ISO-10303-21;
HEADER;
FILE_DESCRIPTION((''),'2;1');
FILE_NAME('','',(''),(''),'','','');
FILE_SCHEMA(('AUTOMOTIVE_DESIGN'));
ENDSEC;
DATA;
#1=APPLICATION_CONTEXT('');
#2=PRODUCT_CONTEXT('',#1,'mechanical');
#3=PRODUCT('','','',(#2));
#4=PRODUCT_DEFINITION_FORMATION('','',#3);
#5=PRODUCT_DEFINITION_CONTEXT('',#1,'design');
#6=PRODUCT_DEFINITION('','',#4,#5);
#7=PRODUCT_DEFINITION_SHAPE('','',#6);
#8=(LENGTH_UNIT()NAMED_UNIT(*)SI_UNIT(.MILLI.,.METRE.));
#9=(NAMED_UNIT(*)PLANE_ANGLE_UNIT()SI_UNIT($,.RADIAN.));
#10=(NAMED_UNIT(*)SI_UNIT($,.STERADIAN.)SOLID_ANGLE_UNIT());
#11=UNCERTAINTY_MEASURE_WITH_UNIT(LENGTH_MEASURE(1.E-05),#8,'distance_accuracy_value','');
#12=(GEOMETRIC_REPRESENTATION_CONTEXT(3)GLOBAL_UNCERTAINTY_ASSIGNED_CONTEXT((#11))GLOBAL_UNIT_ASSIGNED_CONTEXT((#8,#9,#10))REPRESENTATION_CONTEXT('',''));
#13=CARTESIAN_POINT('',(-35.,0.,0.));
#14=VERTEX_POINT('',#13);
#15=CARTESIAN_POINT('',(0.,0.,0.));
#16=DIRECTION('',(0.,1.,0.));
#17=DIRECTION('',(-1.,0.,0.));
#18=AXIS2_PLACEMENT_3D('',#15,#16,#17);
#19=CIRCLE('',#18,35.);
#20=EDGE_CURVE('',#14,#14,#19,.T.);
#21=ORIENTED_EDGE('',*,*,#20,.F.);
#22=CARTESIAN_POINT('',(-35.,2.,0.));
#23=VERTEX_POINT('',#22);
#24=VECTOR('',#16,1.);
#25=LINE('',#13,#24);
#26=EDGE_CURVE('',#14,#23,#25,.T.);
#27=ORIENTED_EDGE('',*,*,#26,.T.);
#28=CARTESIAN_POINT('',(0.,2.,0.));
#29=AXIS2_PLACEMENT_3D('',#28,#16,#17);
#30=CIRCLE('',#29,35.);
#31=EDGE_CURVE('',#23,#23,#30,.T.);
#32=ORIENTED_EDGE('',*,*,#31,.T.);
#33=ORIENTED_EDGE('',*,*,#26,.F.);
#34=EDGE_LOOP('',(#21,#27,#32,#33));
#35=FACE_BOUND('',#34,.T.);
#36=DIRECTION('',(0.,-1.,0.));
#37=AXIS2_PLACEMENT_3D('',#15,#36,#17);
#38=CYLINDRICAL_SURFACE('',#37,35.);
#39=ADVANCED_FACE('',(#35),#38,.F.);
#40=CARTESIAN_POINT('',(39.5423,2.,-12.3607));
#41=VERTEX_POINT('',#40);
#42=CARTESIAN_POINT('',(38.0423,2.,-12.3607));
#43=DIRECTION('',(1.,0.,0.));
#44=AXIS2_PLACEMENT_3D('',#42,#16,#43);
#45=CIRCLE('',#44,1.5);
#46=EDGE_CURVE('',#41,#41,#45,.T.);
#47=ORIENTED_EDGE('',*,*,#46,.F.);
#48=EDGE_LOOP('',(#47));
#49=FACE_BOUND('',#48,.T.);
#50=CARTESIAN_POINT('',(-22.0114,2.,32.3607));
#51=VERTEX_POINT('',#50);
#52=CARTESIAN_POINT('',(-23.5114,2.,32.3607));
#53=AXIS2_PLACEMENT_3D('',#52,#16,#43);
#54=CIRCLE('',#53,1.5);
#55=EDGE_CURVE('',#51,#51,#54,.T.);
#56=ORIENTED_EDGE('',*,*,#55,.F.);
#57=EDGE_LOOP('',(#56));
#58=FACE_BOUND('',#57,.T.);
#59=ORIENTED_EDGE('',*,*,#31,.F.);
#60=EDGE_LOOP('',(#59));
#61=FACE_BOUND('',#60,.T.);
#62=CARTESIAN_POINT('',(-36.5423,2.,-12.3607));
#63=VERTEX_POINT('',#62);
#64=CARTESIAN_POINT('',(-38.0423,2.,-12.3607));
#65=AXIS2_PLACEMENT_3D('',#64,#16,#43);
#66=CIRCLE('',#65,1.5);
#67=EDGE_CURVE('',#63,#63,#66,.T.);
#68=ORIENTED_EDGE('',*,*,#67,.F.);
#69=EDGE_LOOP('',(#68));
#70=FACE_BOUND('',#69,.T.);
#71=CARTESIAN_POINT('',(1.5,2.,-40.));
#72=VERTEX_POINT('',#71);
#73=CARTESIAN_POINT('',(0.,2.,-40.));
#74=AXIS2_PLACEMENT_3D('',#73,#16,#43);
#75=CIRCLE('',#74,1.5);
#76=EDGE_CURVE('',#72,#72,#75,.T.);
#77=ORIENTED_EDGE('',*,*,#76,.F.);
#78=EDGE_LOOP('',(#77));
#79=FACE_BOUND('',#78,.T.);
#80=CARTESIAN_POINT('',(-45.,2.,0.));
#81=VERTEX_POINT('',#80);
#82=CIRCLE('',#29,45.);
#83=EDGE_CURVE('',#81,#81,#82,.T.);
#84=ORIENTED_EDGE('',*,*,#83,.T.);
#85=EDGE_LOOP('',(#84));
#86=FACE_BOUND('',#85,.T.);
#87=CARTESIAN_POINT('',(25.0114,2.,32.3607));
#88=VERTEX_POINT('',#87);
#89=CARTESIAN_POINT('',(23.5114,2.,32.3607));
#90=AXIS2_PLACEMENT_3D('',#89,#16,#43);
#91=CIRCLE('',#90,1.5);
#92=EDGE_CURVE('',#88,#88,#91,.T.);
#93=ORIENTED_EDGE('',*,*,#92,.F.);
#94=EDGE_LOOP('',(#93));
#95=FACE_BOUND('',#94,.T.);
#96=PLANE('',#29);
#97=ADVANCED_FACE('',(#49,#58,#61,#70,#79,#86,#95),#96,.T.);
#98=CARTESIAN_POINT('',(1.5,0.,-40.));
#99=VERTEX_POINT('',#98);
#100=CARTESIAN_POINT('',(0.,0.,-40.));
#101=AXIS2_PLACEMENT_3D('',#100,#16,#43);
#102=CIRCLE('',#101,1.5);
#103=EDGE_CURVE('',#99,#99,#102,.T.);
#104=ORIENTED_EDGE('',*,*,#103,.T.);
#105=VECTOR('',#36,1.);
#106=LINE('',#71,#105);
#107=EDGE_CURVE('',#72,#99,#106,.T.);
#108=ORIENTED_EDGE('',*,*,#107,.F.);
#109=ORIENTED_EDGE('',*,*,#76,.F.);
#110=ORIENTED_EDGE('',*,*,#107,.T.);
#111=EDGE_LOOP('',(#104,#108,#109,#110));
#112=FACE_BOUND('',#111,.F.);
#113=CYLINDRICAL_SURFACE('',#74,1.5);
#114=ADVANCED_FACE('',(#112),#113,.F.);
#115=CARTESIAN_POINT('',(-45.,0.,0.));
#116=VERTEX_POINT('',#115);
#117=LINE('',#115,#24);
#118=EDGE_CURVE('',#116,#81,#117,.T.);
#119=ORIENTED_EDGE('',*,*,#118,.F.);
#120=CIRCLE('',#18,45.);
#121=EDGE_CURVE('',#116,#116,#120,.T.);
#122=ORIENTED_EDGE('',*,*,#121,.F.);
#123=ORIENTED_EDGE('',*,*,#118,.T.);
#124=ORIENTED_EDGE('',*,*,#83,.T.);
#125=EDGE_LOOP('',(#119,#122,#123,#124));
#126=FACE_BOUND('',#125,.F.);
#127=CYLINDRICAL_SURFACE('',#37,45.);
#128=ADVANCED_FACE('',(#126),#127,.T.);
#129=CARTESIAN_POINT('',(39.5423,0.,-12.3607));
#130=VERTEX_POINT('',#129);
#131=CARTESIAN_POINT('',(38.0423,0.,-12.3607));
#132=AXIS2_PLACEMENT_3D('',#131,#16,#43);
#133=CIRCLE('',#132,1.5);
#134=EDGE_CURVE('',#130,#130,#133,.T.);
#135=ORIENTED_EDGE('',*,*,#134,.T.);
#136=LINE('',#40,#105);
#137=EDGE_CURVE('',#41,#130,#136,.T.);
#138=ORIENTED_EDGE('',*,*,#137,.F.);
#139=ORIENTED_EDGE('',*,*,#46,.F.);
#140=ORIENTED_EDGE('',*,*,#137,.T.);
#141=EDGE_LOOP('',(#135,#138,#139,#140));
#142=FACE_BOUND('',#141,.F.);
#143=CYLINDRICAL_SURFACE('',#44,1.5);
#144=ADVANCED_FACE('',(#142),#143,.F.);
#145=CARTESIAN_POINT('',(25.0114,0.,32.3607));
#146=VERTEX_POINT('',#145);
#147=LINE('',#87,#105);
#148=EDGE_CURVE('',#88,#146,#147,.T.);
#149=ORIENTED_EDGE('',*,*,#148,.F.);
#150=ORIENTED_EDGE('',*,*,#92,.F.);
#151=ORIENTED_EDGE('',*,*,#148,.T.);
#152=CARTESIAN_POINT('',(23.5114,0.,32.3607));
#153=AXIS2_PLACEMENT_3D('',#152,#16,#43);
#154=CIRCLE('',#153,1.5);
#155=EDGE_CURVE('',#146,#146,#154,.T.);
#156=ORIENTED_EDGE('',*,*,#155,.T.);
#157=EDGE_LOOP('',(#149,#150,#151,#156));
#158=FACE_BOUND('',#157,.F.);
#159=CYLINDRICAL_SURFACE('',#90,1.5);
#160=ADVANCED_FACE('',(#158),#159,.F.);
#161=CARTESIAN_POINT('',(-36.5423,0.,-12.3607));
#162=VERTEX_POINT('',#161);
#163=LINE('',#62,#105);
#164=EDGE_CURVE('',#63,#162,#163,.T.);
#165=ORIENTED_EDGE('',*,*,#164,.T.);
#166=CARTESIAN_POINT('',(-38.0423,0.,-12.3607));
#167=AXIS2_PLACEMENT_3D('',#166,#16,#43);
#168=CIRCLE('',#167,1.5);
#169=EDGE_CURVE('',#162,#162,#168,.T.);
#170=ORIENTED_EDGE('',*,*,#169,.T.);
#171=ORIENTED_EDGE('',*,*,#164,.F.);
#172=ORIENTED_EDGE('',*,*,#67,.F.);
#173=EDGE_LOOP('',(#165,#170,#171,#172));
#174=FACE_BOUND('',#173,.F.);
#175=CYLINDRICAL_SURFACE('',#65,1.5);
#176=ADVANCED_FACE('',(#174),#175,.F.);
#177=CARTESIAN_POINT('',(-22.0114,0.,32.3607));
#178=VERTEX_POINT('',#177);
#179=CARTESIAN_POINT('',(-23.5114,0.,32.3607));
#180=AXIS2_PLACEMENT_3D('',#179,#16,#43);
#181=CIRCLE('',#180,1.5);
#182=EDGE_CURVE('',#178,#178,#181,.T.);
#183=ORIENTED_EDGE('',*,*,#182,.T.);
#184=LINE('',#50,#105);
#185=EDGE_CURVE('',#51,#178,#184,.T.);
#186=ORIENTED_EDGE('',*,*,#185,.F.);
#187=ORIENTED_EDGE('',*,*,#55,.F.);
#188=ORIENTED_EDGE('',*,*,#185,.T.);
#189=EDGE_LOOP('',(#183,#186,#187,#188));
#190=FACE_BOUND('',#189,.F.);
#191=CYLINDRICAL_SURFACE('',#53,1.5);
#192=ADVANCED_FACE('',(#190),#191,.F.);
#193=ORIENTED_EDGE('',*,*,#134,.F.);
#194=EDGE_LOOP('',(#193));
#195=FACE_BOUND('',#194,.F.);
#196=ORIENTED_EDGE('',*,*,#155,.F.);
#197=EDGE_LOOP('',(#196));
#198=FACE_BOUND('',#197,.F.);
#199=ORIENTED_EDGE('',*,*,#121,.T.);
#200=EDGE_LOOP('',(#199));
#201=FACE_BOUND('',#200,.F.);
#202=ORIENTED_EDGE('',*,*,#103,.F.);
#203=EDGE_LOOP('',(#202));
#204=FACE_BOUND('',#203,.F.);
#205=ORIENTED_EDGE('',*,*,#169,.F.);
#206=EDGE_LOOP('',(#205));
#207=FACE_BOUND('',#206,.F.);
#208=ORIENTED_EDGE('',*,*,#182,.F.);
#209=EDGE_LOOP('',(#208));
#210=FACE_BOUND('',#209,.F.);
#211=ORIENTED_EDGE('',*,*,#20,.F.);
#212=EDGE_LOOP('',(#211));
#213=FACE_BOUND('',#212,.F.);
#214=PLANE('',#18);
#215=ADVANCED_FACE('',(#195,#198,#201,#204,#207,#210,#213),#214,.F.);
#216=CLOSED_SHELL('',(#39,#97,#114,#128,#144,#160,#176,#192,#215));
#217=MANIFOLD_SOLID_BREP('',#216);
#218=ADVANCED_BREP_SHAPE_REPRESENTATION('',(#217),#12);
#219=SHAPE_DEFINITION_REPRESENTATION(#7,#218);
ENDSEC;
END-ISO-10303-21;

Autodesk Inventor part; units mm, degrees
ref_plane "YZ Plane" through (0, 0, 0) normal (1, 0, 0) x (0, 1, 0)
ref_plane "XZ Plane" through (0, 0, 0) normal (0, 1, 0) x (-1, 0, 0)
ref_plane "XY Plane" through (0, 0, 0) normal (0, 0, 1) x (1, 0, 0)
sketch "Sketch1" plane through (0, 0, 0) normal (0, 1, 0) x (-1, 0, 0)
  circle A0 centre (0, 0) radius 45
  circle A1 centre (0, 0) radius 35
  dimension "d0" = 10
  dimension "d1" = 70
extrude "Extrusion1" add sketch "Sketch1" along normal blind 2
sketch "Sketch2" plane through (0, 2, 0) normal (0, 1, 0) x (1, 0, 0)
  circle A0 centre (0, 40) radius 1.5
  line L0 (0, 0) -> (0, 64.6181) construction
  circle A1 centre (-38.0423, 12.3607) radius 1.5
  line L1 (0, 0) -> (-61.4554, 19.9681) construction
  circle A2 centre (-23.5114, -32.3607) radius 1.5
  line L2 (0, 0) -> (-37.9816, -52.2771) construction
  circle A3 centre (23.5114, -32.3607) radius 1.5
  line L3 (0, 0) -> (37.9816, -52.2771) construction
  circle A4 centre (38.0423, 12.3607) radius 1.5
  line L4 (0, 0) -> (61.4554, 19.9681) construction
  dimension "d4" = 3
  dimension "d5" = 40
  dimension "d8" = 360
extrude "Extrusion2" cut sketch "Sketch2" against normal blind 3
properties part number "HeatingElementHolder01"
